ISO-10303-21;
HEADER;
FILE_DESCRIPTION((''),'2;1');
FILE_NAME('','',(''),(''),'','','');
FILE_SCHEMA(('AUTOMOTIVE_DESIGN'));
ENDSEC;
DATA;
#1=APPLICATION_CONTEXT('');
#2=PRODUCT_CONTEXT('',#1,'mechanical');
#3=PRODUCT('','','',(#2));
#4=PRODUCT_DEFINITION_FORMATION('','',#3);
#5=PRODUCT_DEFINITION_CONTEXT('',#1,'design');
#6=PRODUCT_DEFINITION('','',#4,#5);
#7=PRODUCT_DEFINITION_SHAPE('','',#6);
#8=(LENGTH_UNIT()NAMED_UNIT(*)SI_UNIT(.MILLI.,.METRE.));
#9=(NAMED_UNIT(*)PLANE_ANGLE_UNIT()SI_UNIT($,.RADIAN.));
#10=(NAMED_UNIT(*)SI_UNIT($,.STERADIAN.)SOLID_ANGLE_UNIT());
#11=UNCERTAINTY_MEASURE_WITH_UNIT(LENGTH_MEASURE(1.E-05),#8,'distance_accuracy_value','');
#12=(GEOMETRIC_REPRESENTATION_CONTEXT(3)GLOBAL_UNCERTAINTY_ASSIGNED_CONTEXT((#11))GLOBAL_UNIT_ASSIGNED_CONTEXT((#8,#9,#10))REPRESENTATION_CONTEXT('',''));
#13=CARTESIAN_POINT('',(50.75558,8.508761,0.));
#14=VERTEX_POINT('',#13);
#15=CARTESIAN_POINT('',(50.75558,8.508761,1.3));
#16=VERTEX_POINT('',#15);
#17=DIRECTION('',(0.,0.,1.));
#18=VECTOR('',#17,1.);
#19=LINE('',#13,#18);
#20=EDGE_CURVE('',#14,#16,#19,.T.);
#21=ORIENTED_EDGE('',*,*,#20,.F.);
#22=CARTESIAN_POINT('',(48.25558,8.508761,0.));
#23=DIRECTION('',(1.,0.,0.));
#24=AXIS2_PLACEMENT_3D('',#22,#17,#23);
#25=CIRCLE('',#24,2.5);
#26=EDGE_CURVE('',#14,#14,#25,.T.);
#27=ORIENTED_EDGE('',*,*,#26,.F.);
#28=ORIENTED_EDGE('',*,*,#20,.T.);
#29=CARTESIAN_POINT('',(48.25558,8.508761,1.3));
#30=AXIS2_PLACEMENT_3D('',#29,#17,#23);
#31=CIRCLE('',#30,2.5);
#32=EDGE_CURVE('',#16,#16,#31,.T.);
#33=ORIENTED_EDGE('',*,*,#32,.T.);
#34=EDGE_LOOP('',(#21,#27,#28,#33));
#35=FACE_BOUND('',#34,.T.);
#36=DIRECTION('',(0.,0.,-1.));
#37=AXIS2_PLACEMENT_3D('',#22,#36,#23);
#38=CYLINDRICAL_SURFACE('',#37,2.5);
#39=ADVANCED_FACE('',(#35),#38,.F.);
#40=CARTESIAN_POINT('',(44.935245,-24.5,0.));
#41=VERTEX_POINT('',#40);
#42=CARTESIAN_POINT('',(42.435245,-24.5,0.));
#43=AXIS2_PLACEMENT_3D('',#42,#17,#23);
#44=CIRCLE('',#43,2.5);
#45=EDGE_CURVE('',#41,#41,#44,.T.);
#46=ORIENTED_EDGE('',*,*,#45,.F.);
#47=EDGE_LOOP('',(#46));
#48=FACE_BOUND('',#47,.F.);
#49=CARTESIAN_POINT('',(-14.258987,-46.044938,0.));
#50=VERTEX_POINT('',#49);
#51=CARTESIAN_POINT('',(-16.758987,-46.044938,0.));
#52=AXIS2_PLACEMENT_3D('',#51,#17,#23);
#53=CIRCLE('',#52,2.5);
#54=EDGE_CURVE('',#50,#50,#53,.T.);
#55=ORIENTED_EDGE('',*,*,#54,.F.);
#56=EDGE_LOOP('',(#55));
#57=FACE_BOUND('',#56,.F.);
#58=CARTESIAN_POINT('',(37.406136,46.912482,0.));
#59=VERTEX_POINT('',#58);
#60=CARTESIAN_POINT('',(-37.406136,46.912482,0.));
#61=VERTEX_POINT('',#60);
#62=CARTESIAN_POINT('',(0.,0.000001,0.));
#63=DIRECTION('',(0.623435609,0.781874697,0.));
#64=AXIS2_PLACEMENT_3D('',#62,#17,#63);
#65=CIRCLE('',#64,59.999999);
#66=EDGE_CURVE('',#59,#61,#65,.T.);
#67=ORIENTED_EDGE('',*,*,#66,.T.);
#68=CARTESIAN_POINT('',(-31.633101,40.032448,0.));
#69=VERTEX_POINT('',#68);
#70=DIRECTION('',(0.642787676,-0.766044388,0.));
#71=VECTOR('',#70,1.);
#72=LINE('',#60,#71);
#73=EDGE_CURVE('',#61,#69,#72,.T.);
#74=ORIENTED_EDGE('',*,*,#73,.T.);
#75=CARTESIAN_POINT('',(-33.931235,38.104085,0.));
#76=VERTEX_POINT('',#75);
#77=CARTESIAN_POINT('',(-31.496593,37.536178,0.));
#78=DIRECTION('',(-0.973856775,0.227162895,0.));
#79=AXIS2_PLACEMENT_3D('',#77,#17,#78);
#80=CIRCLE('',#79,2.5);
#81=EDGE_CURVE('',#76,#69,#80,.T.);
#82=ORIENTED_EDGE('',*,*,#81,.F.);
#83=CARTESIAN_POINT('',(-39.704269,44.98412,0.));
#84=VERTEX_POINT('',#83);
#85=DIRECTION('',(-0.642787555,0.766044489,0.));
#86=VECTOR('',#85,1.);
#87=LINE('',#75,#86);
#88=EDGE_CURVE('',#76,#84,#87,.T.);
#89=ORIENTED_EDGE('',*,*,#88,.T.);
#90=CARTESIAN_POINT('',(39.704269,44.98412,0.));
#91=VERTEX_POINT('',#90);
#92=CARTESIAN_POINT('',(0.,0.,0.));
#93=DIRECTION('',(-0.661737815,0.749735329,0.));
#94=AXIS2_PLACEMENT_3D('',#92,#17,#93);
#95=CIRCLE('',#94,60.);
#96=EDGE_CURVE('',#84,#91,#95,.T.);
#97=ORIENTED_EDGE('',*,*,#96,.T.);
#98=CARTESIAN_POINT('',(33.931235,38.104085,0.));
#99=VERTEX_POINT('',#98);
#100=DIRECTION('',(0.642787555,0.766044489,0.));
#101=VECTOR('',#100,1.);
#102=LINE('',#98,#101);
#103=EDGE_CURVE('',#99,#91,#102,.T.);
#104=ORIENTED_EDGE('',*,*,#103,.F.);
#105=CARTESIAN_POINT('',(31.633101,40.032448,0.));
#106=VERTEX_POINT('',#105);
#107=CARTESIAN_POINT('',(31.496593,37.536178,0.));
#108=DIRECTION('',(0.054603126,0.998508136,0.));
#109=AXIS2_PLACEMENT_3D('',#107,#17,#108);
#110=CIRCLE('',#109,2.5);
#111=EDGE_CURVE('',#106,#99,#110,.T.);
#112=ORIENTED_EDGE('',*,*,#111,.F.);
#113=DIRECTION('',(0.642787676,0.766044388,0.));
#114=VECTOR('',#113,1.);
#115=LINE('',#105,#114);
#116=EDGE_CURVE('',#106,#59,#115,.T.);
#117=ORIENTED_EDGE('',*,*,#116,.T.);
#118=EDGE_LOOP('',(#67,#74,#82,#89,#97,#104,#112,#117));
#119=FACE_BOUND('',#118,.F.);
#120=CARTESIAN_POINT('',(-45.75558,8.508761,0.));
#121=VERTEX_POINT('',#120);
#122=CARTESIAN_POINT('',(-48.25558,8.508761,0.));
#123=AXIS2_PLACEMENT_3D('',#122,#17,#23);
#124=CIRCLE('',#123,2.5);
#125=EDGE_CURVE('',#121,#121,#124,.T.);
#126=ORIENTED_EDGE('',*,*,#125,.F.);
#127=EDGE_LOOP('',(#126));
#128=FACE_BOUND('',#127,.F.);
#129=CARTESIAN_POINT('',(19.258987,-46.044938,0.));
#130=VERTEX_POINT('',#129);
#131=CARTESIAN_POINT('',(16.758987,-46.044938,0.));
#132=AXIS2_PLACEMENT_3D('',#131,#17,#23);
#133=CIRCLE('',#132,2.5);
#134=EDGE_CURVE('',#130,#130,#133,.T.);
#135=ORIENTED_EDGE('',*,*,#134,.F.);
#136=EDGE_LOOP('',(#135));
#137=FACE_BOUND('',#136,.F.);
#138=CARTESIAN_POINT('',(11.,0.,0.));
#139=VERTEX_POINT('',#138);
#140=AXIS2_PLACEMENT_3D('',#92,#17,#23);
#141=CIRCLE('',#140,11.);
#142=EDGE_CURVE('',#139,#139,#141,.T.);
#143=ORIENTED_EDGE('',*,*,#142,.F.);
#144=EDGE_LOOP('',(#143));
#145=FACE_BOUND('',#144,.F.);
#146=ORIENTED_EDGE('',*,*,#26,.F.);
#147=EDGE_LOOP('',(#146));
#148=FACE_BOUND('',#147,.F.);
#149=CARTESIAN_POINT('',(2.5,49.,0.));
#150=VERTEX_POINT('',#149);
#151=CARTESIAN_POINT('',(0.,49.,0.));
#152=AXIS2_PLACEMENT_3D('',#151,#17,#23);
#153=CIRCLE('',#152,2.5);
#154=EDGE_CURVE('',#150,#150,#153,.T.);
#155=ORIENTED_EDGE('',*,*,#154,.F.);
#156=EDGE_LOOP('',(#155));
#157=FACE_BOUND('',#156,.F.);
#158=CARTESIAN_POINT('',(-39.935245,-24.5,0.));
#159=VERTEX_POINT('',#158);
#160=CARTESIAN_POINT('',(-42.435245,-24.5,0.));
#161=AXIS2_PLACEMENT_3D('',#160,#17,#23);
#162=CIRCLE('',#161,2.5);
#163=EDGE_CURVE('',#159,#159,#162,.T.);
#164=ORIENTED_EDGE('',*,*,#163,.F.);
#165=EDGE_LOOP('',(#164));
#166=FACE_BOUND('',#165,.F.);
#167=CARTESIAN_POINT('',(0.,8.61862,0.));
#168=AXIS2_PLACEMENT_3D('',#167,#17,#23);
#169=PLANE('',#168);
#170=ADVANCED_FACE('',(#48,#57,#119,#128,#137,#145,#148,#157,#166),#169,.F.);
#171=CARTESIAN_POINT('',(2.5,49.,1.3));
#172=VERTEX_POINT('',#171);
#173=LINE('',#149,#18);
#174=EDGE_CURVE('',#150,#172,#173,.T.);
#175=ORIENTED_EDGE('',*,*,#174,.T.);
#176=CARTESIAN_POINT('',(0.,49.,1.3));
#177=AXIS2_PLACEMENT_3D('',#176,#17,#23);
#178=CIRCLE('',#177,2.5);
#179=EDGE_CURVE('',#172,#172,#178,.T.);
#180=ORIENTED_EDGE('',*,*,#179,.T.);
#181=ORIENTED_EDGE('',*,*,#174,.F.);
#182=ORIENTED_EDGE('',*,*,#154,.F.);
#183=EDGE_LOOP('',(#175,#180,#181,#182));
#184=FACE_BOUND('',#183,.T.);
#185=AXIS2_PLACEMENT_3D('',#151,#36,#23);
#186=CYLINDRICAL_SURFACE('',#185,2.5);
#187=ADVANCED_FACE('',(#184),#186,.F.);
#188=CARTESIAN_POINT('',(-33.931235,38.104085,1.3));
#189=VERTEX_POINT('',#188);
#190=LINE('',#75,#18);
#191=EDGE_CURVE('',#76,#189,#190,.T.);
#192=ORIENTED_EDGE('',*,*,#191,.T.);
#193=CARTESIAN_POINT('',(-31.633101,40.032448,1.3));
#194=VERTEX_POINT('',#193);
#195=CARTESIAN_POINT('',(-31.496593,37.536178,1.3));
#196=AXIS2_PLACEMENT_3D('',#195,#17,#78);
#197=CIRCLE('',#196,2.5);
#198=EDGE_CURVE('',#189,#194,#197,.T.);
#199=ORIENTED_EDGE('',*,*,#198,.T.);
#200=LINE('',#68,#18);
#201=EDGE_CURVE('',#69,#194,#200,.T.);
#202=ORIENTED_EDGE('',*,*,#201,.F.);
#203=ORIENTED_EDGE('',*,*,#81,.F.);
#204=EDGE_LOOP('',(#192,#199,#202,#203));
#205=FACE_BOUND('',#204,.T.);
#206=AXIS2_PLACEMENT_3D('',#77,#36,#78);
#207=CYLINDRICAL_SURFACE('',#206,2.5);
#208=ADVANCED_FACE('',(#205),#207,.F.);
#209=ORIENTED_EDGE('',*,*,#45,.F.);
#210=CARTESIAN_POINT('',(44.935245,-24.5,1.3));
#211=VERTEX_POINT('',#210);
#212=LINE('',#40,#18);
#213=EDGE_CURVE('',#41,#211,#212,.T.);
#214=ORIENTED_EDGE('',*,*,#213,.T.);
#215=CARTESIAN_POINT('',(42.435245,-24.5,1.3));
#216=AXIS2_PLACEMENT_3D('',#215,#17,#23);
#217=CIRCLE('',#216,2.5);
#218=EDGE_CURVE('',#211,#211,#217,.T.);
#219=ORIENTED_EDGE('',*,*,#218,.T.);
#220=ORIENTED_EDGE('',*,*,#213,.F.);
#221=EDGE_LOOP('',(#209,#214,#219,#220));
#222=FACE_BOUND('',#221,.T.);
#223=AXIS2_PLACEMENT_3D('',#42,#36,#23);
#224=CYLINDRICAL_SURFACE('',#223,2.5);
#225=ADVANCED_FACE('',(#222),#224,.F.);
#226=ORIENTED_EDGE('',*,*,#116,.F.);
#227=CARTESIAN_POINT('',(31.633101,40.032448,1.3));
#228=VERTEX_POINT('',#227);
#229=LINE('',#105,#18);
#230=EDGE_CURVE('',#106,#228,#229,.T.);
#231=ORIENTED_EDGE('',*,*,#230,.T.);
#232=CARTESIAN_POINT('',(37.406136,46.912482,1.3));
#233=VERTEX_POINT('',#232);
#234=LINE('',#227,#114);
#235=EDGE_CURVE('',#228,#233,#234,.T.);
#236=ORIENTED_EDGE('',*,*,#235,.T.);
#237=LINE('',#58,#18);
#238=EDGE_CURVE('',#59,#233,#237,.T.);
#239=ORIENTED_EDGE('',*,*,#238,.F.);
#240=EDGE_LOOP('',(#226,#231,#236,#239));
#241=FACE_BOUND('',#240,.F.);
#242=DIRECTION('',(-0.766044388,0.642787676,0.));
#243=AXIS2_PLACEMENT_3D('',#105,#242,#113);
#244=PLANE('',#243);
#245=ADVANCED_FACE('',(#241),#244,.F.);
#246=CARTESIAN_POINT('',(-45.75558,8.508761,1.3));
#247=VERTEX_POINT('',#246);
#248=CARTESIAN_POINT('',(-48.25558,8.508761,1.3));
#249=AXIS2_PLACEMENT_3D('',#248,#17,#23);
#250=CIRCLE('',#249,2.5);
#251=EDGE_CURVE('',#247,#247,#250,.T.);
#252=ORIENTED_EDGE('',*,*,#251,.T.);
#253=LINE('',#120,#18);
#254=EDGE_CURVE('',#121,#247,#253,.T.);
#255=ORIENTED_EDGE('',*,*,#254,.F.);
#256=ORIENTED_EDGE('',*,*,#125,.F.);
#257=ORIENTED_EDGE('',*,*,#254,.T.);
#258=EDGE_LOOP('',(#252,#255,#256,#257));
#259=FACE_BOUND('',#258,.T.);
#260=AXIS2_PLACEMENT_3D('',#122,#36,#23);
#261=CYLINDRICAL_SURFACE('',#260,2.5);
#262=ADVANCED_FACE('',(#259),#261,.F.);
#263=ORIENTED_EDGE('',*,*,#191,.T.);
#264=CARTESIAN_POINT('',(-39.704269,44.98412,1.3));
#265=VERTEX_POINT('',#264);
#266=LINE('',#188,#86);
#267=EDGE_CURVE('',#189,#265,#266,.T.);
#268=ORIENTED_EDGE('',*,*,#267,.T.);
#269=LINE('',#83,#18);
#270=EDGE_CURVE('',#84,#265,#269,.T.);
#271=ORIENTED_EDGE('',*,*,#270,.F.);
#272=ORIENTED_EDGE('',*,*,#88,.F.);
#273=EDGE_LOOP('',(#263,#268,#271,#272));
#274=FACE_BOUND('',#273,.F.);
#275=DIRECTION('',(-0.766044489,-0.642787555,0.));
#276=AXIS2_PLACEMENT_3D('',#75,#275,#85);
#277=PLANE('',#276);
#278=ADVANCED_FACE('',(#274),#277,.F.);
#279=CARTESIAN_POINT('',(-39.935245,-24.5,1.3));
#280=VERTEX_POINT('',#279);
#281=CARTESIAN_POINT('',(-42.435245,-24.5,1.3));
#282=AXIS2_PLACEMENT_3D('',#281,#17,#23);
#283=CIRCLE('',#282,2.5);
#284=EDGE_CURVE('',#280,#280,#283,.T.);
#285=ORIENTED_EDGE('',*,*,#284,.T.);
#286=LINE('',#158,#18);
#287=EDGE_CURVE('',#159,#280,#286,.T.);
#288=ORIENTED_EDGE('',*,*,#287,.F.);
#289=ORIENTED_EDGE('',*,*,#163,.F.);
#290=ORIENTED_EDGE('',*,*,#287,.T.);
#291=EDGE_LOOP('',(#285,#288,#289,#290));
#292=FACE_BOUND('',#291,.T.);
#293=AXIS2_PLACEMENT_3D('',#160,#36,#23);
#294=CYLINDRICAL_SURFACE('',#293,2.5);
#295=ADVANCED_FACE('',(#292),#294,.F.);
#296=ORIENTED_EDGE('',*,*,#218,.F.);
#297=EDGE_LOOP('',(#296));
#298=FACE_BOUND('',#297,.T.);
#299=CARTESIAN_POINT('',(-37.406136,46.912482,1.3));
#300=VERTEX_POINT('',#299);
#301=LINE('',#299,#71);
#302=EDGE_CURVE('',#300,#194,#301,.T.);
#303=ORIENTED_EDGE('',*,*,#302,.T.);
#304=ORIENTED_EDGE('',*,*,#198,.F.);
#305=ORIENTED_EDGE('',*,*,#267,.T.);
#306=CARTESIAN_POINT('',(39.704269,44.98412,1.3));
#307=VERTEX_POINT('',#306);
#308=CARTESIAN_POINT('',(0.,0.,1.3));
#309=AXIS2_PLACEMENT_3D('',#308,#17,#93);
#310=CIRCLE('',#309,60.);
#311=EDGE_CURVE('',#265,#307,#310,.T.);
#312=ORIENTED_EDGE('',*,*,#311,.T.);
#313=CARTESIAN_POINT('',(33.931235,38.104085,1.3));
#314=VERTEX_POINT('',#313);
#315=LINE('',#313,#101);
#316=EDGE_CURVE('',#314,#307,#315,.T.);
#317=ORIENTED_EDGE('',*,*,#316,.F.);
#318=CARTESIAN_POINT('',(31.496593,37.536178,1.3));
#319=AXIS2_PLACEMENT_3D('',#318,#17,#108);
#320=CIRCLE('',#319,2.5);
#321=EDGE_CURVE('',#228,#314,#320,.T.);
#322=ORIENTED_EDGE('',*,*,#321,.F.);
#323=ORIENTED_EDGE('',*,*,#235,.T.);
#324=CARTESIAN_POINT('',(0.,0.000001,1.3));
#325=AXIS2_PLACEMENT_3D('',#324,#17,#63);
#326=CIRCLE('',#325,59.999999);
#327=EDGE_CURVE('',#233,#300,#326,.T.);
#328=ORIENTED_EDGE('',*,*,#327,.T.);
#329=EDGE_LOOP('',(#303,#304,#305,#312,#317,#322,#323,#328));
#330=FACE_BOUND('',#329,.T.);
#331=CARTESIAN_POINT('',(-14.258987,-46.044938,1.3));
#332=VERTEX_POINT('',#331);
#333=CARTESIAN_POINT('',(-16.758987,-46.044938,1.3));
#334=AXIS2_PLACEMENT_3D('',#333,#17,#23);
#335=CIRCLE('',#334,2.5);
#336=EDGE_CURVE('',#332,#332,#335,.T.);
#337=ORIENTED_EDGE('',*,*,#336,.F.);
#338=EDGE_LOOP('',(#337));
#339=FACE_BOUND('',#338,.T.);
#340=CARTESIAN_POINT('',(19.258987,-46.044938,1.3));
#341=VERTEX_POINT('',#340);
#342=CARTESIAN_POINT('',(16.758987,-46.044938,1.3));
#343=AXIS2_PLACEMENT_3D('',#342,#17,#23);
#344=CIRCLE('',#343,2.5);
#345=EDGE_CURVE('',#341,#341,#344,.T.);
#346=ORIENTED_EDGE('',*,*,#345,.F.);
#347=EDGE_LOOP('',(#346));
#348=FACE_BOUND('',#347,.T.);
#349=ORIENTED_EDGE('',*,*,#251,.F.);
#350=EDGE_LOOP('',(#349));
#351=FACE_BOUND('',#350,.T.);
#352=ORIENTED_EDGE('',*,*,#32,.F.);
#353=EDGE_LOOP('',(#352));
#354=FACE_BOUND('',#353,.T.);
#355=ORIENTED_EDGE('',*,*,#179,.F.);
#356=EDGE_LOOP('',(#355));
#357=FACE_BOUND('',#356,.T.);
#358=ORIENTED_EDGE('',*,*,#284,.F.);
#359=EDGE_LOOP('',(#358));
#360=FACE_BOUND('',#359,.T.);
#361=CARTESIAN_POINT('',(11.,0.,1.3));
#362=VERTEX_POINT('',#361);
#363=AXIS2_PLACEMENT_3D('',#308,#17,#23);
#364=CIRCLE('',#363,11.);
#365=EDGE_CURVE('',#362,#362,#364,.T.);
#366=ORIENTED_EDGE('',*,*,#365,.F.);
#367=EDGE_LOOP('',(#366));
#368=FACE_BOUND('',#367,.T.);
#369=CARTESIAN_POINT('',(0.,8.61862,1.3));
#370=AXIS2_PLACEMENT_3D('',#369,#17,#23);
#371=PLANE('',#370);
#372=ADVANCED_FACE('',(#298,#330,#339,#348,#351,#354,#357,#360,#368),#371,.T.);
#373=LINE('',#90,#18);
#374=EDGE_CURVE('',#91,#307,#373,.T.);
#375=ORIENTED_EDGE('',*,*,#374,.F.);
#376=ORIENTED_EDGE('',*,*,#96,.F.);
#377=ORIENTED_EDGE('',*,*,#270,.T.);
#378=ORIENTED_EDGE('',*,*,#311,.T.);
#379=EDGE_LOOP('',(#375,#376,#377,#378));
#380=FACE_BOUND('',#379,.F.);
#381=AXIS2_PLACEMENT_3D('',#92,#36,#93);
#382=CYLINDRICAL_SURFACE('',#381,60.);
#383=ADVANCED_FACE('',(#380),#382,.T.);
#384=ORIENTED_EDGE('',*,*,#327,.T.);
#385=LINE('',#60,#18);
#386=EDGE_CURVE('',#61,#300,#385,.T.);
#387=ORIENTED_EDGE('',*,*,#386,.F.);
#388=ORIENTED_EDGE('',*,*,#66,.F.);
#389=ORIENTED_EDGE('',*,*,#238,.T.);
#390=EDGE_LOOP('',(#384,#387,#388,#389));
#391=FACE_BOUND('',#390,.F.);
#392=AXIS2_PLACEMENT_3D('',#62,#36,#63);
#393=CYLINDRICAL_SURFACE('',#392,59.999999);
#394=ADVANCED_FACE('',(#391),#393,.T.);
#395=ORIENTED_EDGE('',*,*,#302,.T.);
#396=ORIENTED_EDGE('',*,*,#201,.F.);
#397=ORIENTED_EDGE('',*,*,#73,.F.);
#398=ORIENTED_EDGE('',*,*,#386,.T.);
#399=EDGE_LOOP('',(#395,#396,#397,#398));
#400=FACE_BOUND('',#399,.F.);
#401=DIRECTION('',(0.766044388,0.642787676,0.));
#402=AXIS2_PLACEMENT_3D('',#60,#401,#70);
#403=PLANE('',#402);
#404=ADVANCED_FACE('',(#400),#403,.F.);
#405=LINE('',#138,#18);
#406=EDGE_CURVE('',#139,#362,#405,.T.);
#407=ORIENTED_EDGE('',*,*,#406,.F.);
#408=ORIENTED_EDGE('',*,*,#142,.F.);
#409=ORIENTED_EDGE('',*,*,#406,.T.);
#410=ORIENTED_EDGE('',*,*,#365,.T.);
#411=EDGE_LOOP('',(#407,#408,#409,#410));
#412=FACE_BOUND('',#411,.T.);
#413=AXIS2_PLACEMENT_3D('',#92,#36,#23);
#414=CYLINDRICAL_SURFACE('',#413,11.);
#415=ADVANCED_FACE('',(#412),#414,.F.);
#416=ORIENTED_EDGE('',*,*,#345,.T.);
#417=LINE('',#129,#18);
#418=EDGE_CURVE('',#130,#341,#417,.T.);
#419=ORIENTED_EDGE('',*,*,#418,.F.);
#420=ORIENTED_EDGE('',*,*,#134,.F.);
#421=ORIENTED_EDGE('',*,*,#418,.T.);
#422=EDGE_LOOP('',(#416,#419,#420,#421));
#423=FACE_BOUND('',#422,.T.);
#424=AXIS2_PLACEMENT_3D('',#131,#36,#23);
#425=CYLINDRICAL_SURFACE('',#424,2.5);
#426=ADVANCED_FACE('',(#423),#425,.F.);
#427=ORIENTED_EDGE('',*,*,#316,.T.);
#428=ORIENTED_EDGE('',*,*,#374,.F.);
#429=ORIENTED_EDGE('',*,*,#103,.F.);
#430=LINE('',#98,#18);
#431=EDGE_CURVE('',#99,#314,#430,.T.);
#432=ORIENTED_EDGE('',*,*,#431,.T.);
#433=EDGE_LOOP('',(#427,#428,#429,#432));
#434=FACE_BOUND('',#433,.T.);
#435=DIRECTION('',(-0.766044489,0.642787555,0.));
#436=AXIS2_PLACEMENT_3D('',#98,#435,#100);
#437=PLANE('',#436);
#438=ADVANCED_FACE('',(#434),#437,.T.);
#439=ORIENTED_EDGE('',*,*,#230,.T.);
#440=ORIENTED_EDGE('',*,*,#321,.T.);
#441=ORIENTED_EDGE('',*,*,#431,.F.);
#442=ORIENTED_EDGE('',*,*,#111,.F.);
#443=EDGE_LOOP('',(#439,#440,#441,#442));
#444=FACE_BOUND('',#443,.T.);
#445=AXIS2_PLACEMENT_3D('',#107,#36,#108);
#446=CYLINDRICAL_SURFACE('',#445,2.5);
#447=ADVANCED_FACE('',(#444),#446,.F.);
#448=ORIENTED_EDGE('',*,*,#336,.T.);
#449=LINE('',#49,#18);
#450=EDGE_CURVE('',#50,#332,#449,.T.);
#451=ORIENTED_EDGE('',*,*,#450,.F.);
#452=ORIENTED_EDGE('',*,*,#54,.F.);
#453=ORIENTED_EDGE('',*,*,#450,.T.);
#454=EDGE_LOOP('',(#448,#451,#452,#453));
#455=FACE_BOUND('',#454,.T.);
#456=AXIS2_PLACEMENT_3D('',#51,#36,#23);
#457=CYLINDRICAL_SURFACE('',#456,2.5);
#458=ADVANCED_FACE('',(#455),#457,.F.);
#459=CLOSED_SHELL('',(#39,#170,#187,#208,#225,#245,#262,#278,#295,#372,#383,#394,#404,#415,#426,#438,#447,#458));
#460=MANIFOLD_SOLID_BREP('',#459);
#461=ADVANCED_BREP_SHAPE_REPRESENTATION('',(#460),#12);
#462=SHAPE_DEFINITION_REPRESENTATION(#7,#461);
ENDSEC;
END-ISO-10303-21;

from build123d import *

# Parameters (mm, degrees)
SKETCH_R   = 11
SKETCH_R_2 = 2.5
PAD_DEPTH  = 1.3


with BuildPart() as part:
    # Sketch → Pad (new body)
    with BuildSketch(Plane.XY):
        with BuildLine():
            ThreePointArc((37.406136, 46.912482), (0, 60), (-37.406136, 46.912482))
            Line((-37.406136, 46.912482), (-31.633101, 40.032448))
            ThreePointArc((-33.931235, 38.104085), (-29.889624, 35.621067), (-31.633101, 40.032448))
            Line((-33.931235, 38.104085), (-39.704269, 44.98412))
            ThreePointArc((-39.704269, 44.98412), (0, -60), (39.704269, 44.98412))
            Line((33.931235, 38.104085), (39.704269, 44.98412))
            ThreePointArc((31.633101, 40.032448), (29.889624, 35.621067), (33.931235, 38.104085))
            Line((31.633101, 40.032448), (37.406136, 46.912482))
        make_face()
        Circle(SKETCH_R, mode=Mode.SUBTRACT)
        with Locations((0, 49)):
            Circle(SKETCH_R_2, mode=Mode.SUBTRACT)
        with Locations((48.25558, 8.508761)):
            Circle(SKETCH_R_2, mode=Mode.SUBTRACT)
        with Locations((42.435245, -24.5)):
            Circle(SKETCH_R_2, mode=Mode.SUBTRACT)
        with Locations((16.758987, -46.044938)):
            Circle(SKETCH_R_2, mode=Mode.SUBTRACT)
        with Locations((-16.758987, -46.044938)):
            Circle(SKETCH_R_2, mode=Mode.SUBTRACT)
        with Locations((-42.435245, -24.5)):
            Circle(SKETCH_R_2, mode=Mode.SUBTRACT)
        with Locations((-48.25558, 8.508761)):
            Circle(SKETCH_R_2, mode=Mode.SUBTRACT)
    extrude(amount=PAD_DEPTH)


solid = part.part
